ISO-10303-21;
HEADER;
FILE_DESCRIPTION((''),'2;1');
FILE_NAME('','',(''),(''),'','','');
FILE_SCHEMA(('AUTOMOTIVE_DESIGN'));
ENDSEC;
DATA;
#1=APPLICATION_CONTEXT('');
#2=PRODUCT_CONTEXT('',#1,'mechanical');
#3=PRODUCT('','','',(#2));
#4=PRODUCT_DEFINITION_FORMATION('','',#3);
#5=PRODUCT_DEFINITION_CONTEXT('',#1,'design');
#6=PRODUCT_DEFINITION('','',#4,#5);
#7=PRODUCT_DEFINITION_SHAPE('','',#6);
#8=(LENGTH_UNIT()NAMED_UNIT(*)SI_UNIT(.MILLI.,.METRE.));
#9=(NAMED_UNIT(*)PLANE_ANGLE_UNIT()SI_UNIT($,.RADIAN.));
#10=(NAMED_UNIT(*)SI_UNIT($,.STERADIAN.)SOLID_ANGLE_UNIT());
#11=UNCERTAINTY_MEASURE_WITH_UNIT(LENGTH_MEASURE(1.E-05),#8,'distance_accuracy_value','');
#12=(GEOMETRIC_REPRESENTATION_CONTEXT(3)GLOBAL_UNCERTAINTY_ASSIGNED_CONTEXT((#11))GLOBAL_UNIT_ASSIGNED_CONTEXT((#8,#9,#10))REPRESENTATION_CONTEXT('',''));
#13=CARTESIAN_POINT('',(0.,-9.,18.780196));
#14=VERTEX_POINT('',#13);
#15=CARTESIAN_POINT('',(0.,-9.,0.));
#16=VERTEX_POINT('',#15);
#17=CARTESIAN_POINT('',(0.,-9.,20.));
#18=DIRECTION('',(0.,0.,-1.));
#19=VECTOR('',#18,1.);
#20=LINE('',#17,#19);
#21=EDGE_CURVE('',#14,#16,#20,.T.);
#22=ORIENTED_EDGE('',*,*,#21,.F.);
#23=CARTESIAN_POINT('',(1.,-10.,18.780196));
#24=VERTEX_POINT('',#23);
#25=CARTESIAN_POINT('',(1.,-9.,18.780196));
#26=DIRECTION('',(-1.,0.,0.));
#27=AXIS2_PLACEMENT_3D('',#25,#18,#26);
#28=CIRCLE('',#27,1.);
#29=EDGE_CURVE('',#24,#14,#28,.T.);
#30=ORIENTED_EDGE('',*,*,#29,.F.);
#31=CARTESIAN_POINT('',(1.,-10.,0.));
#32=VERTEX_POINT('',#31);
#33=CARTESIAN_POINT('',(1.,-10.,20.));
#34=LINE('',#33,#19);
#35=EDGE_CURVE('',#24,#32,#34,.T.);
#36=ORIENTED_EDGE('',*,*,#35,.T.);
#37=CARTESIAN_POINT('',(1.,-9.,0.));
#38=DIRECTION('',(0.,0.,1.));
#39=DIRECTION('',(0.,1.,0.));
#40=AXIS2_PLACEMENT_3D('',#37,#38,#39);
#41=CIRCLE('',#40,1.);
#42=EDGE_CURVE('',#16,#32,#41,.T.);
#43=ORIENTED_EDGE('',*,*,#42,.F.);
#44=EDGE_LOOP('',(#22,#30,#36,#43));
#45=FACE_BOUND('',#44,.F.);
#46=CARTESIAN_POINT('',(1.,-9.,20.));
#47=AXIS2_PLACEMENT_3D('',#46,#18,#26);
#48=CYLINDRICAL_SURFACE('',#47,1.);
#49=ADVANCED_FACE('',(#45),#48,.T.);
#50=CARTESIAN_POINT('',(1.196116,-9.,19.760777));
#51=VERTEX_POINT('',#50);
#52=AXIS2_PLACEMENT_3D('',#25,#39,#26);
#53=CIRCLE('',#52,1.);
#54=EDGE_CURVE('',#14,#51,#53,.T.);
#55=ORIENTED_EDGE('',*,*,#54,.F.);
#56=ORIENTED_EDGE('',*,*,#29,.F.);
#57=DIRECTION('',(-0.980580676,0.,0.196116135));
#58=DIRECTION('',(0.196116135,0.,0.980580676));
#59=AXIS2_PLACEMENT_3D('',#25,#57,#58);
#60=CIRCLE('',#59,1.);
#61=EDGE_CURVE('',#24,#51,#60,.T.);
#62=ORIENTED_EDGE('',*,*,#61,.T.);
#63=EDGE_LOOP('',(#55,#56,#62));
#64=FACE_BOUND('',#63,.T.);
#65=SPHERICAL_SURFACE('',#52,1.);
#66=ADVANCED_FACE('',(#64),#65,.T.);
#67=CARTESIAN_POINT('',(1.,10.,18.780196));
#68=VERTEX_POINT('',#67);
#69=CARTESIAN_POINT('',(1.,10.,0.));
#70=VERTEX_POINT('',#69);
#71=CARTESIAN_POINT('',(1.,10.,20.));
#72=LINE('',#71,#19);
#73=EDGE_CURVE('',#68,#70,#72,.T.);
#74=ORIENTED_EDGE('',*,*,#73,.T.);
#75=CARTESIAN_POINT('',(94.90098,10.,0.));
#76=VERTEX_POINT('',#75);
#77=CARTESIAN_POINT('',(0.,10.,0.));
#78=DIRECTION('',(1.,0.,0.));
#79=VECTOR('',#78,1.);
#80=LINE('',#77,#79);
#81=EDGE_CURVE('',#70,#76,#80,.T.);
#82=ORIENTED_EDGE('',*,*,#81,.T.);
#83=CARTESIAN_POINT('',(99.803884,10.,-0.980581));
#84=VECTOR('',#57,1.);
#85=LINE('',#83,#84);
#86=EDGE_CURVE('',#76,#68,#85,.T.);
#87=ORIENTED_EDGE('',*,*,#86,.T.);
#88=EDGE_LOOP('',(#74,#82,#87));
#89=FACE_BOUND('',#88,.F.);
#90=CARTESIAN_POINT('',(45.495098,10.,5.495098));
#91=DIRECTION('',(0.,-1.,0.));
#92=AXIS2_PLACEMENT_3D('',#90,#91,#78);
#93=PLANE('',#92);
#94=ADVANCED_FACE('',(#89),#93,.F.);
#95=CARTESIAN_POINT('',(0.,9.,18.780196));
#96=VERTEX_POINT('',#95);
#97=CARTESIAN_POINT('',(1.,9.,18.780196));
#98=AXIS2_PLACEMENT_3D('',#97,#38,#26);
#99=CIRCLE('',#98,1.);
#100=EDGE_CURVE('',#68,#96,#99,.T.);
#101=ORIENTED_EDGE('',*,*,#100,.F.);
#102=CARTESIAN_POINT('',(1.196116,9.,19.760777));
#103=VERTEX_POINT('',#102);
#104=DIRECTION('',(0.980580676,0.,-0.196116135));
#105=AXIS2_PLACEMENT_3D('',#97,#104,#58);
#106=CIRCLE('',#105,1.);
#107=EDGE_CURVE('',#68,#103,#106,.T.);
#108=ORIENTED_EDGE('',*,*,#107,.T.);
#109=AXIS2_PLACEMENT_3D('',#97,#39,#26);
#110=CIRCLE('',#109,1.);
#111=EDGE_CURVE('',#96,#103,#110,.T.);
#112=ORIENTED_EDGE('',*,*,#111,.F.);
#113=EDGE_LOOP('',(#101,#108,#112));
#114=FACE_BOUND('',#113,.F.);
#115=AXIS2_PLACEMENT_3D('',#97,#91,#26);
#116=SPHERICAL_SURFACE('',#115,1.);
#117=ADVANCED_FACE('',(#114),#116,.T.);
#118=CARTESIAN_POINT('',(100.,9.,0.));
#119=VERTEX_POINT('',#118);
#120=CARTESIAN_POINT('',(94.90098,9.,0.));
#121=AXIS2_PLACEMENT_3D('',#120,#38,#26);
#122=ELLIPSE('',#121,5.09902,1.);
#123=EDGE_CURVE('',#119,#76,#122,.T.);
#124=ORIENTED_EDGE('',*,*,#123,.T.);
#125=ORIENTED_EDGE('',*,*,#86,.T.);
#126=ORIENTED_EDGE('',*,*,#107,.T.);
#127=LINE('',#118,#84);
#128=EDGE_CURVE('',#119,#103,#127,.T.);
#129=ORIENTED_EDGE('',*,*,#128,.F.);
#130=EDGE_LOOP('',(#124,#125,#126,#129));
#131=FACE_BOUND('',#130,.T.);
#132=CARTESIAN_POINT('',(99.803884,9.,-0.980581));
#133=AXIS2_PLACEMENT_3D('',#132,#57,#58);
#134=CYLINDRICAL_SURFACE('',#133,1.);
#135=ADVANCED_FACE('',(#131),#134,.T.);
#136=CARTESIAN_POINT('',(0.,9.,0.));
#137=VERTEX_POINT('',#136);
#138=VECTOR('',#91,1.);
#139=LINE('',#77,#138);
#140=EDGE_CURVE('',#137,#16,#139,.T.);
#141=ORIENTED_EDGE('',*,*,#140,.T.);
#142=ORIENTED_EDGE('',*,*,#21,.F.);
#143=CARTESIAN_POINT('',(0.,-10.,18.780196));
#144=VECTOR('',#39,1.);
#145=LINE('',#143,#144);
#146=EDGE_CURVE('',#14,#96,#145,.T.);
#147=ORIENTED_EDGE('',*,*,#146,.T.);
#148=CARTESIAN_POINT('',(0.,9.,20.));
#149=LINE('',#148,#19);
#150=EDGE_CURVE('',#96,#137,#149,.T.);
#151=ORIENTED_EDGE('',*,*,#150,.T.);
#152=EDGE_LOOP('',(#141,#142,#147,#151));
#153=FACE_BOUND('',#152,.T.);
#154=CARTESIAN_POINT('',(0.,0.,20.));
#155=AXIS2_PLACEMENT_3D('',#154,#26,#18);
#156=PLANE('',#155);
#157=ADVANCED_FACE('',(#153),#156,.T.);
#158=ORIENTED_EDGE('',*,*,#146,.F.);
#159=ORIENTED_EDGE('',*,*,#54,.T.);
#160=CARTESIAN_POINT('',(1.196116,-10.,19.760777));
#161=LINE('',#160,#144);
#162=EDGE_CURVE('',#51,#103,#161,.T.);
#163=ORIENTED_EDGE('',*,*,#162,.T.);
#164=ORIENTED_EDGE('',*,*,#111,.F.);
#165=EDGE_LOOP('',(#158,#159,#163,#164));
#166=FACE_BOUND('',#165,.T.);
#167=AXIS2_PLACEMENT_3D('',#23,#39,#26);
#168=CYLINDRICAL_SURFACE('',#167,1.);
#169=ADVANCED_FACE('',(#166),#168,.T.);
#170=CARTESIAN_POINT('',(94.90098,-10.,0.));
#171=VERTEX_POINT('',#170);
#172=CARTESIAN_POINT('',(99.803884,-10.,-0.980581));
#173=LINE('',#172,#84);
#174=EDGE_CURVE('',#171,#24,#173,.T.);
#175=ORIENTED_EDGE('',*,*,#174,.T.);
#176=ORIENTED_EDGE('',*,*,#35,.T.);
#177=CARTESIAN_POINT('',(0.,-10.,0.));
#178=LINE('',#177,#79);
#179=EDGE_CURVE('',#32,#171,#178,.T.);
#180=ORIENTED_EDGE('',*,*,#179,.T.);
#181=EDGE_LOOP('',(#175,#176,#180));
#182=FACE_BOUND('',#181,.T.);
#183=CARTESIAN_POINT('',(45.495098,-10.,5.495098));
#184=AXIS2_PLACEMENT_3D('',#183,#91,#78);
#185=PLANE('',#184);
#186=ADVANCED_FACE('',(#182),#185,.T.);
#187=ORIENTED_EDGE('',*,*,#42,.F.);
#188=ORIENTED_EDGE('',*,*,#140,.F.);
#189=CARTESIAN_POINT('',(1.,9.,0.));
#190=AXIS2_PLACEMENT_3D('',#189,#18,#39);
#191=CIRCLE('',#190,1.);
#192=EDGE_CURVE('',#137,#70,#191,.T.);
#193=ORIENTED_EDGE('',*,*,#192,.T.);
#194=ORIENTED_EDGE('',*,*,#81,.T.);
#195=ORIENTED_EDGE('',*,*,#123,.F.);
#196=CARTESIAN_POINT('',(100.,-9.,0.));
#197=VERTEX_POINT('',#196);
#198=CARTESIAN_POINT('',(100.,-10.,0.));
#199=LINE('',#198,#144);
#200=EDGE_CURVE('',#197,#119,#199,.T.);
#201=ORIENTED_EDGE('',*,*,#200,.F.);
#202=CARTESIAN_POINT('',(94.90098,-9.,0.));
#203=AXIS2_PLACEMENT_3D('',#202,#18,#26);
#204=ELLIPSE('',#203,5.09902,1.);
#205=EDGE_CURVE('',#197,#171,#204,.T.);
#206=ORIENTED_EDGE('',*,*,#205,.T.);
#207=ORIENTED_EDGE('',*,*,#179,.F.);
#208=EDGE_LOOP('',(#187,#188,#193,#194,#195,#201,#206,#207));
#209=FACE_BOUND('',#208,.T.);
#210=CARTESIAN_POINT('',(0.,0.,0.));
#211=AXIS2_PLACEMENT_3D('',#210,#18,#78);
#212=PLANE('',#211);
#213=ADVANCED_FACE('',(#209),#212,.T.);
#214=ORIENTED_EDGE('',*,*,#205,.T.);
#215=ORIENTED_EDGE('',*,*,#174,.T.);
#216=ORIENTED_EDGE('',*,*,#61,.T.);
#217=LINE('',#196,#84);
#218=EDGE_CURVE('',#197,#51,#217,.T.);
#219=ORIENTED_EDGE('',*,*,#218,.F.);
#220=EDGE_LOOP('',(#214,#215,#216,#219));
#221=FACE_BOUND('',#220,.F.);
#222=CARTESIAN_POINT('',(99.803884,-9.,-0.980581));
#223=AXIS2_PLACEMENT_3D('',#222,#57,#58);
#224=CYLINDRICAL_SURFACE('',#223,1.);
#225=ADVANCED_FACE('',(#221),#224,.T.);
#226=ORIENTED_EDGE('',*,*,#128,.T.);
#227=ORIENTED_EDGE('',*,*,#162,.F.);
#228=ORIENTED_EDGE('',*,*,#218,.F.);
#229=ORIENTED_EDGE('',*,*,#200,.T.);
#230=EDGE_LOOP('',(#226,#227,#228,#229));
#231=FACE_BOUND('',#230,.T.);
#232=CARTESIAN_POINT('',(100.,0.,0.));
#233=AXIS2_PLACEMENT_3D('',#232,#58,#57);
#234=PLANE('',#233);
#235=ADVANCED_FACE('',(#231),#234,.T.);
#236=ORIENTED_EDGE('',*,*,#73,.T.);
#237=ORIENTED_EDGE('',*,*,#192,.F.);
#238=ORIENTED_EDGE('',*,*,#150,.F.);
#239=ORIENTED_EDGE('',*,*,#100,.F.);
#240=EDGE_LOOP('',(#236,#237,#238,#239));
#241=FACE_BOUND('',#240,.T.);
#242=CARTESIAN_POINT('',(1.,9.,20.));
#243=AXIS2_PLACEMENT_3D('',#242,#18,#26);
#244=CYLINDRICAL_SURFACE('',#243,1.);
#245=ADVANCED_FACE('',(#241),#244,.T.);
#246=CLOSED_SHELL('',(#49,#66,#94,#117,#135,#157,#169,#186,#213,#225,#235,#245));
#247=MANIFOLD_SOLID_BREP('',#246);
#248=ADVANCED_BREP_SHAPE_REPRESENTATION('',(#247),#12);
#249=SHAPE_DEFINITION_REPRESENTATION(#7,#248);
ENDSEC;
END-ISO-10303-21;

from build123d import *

# Parameters (mm, degrees)
F1_DEPTH = 10
F2_R     = 1


with BuildPart() as f1:
    # F0 (on Front) → F1 (new body, symmetric)
    with BuildSketch(Plane.XZ):
        Polygon((0, 20), (0, 0), (100, 0), align=None)
    extrude(amount=F1_DEPTH, both=True)

    # F2
    f2_edges = [f1.edges().sort_by_distance(p)[0] for p in [
        (50, -10, 10),
        (50, 10, 10),
        (0, 0, 20),
        (0, -10, 10),
        (0, 10, 10),
    ]]
    fillet(f2_edges, radius=F2_R)


solid = f1.part
